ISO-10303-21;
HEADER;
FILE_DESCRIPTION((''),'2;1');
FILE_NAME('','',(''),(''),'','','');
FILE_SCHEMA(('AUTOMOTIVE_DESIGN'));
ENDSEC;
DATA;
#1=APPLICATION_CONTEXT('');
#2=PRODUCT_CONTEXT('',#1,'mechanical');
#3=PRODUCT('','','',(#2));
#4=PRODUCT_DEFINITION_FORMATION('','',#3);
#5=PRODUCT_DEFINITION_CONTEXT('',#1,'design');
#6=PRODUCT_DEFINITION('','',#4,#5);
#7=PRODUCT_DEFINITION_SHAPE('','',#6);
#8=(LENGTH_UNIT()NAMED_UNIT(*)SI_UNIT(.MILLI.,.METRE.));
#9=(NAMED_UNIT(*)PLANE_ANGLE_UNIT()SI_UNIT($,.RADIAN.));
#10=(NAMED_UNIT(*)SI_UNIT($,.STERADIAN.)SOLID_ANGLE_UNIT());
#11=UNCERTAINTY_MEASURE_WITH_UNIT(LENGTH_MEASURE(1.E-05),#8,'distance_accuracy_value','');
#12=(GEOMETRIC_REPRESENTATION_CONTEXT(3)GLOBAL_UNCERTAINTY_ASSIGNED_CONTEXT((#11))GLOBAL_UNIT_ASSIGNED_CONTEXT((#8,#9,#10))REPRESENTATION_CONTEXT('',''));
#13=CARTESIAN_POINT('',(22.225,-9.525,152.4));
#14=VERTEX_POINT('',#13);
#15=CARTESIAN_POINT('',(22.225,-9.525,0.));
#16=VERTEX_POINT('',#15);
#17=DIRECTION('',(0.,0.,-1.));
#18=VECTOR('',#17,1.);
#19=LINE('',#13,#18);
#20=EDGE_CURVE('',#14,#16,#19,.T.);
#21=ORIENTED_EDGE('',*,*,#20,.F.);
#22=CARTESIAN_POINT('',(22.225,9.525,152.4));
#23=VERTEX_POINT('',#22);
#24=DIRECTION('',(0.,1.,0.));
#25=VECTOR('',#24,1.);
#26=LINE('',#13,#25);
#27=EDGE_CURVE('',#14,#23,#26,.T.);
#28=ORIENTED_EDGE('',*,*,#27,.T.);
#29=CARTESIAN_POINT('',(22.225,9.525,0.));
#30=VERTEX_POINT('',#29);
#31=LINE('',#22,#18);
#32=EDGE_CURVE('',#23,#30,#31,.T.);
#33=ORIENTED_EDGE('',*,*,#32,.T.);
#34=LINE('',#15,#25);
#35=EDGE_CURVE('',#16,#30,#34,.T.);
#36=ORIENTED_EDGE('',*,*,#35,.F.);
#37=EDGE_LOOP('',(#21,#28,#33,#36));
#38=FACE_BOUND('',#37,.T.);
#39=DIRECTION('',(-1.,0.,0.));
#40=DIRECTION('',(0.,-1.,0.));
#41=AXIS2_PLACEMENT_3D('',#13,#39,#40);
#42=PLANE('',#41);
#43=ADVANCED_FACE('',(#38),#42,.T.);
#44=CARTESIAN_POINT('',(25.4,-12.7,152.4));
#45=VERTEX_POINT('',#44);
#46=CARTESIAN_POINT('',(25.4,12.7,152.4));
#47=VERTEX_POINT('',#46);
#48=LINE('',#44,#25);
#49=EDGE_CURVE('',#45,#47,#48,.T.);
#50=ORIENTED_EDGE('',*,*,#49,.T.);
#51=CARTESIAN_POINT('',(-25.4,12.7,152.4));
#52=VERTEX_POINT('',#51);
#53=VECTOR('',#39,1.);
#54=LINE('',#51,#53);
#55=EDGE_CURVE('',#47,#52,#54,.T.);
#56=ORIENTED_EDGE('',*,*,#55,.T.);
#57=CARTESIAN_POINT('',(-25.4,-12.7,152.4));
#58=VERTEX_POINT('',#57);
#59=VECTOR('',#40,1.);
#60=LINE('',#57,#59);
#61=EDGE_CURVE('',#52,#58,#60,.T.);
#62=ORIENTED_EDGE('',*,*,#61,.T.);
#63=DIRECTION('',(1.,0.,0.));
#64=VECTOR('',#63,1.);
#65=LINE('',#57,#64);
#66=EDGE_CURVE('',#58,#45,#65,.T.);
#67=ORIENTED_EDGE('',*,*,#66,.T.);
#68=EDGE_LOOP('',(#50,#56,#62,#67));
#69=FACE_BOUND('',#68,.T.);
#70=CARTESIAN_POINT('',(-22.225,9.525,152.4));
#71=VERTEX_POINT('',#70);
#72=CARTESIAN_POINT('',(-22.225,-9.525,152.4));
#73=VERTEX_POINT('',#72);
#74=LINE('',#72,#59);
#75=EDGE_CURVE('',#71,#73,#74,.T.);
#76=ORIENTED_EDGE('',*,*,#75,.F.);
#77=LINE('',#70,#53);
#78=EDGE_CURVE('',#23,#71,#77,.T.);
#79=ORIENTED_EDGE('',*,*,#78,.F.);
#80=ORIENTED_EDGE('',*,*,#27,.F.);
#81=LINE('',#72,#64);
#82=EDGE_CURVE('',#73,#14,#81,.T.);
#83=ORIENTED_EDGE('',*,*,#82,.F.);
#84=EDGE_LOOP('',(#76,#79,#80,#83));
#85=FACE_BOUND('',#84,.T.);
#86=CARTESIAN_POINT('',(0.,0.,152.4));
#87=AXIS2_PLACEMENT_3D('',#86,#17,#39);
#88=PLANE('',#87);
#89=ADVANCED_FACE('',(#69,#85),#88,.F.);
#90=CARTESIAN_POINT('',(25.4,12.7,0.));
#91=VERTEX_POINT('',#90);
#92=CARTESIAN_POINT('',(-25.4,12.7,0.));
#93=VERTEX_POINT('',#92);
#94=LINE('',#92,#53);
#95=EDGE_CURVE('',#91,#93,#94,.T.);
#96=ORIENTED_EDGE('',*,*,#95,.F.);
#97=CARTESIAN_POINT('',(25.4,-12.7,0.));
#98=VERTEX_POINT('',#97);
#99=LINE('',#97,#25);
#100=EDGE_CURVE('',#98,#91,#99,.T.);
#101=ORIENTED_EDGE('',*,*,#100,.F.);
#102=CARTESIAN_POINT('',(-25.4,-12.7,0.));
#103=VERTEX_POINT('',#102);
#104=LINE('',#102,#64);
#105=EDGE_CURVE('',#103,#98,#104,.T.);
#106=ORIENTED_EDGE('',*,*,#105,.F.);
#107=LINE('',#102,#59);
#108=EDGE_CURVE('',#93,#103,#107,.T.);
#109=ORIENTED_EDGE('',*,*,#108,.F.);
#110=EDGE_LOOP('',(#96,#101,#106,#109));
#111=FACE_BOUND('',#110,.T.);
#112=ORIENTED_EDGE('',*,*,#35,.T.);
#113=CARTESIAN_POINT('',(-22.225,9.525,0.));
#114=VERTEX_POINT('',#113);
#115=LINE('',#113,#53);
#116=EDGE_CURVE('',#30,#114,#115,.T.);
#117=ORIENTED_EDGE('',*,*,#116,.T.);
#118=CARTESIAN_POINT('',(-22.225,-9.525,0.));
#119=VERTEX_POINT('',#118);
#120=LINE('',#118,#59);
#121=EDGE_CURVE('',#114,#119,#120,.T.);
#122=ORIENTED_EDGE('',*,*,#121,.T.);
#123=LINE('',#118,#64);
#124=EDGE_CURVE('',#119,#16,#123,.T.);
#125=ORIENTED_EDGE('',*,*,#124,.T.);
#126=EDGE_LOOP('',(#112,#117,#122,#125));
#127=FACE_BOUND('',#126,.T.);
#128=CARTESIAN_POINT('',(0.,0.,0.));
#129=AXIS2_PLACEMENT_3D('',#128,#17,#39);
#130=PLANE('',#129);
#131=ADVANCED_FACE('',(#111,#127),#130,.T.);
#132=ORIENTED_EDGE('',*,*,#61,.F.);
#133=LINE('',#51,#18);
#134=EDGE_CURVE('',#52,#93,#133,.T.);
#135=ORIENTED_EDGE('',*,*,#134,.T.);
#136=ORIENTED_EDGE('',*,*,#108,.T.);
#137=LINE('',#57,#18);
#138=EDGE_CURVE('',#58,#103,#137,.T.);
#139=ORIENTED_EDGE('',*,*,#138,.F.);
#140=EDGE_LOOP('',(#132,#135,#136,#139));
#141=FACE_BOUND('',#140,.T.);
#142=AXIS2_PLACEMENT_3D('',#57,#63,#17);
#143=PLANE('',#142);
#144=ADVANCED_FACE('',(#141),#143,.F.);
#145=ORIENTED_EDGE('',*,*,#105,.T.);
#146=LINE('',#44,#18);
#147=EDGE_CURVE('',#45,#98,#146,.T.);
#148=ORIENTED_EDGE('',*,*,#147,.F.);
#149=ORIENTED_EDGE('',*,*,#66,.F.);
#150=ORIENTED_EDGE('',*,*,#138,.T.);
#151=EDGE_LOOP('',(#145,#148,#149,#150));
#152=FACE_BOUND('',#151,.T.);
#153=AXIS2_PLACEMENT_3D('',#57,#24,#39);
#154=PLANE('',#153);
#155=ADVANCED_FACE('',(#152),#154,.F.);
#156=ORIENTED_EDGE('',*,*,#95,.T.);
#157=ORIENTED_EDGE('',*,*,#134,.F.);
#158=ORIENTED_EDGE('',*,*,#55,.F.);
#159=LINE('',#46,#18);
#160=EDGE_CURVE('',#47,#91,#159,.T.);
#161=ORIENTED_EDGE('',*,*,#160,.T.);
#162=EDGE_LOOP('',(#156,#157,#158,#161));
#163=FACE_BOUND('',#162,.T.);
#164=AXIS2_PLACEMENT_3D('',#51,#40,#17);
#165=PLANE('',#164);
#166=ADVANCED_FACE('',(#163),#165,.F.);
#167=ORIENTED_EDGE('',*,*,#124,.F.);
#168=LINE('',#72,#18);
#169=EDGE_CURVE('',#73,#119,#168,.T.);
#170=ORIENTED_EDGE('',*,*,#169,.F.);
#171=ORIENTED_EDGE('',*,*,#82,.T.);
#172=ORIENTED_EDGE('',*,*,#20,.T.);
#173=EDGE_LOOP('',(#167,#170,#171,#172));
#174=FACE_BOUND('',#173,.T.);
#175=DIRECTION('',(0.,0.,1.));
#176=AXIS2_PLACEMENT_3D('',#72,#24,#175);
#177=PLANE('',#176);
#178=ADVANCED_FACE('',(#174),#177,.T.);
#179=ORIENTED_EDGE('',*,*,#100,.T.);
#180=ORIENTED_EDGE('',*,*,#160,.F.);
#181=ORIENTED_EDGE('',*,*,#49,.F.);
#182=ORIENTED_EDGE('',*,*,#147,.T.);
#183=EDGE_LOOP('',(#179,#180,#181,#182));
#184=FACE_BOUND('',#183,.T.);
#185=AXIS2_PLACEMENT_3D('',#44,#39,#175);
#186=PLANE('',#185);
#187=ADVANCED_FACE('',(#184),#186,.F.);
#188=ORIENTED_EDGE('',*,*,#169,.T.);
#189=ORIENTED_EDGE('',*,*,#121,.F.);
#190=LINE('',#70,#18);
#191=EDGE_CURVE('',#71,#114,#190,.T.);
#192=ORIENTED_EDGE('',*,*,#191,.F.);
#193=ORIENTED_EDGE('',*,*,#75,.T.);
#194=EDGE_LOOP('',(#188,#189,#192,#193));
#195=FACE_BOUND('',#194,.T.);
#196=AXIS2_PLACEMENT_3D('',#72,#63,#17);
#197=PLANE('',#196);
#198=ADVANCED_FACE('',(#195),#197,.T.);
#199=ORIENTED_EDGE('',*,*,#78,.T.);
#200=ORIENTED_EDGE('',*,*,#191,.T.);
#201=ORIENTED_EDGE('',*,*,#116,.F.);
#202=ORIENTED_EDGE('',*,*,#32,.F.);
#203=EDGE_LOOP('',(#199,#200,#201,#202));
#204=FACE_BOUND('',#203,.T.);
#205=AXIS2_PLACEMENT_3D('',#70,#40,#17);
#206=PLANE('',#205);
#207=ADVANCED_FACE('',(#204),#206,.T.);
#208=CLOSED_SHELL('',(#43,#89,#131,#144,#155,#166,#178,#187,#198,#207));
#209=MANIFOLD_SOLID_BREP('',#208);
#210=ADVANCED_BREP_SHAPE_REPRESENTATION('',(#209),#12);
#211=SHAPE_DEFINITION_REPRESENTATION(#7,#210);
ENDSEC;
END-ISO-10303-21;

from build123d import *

# Parameters (mm, degrees)
SKETCH1_W           = 50.8
SKETCH1_H           = 25.4
SKETCH1_W_2         = 44.45
SKETCH1_H_2         = 19.05
BOSS_EXTRUDE1_DEPTH = 152.4


with BuildPart() as part:
    # Sketch1 → Boss-Extrude1 (new body)
    with BuildSketch(Plane.XY):
        Rectangle(SKETCH1_W, SKETCH1_H)
        Rectangle(SKETCH1_W_2, SKETCH1_H_2, mode=Mode.SUBTRACT)
    extrude(amount=BOSS_EXTRUDE1_DEPTH)


solid = part.part
